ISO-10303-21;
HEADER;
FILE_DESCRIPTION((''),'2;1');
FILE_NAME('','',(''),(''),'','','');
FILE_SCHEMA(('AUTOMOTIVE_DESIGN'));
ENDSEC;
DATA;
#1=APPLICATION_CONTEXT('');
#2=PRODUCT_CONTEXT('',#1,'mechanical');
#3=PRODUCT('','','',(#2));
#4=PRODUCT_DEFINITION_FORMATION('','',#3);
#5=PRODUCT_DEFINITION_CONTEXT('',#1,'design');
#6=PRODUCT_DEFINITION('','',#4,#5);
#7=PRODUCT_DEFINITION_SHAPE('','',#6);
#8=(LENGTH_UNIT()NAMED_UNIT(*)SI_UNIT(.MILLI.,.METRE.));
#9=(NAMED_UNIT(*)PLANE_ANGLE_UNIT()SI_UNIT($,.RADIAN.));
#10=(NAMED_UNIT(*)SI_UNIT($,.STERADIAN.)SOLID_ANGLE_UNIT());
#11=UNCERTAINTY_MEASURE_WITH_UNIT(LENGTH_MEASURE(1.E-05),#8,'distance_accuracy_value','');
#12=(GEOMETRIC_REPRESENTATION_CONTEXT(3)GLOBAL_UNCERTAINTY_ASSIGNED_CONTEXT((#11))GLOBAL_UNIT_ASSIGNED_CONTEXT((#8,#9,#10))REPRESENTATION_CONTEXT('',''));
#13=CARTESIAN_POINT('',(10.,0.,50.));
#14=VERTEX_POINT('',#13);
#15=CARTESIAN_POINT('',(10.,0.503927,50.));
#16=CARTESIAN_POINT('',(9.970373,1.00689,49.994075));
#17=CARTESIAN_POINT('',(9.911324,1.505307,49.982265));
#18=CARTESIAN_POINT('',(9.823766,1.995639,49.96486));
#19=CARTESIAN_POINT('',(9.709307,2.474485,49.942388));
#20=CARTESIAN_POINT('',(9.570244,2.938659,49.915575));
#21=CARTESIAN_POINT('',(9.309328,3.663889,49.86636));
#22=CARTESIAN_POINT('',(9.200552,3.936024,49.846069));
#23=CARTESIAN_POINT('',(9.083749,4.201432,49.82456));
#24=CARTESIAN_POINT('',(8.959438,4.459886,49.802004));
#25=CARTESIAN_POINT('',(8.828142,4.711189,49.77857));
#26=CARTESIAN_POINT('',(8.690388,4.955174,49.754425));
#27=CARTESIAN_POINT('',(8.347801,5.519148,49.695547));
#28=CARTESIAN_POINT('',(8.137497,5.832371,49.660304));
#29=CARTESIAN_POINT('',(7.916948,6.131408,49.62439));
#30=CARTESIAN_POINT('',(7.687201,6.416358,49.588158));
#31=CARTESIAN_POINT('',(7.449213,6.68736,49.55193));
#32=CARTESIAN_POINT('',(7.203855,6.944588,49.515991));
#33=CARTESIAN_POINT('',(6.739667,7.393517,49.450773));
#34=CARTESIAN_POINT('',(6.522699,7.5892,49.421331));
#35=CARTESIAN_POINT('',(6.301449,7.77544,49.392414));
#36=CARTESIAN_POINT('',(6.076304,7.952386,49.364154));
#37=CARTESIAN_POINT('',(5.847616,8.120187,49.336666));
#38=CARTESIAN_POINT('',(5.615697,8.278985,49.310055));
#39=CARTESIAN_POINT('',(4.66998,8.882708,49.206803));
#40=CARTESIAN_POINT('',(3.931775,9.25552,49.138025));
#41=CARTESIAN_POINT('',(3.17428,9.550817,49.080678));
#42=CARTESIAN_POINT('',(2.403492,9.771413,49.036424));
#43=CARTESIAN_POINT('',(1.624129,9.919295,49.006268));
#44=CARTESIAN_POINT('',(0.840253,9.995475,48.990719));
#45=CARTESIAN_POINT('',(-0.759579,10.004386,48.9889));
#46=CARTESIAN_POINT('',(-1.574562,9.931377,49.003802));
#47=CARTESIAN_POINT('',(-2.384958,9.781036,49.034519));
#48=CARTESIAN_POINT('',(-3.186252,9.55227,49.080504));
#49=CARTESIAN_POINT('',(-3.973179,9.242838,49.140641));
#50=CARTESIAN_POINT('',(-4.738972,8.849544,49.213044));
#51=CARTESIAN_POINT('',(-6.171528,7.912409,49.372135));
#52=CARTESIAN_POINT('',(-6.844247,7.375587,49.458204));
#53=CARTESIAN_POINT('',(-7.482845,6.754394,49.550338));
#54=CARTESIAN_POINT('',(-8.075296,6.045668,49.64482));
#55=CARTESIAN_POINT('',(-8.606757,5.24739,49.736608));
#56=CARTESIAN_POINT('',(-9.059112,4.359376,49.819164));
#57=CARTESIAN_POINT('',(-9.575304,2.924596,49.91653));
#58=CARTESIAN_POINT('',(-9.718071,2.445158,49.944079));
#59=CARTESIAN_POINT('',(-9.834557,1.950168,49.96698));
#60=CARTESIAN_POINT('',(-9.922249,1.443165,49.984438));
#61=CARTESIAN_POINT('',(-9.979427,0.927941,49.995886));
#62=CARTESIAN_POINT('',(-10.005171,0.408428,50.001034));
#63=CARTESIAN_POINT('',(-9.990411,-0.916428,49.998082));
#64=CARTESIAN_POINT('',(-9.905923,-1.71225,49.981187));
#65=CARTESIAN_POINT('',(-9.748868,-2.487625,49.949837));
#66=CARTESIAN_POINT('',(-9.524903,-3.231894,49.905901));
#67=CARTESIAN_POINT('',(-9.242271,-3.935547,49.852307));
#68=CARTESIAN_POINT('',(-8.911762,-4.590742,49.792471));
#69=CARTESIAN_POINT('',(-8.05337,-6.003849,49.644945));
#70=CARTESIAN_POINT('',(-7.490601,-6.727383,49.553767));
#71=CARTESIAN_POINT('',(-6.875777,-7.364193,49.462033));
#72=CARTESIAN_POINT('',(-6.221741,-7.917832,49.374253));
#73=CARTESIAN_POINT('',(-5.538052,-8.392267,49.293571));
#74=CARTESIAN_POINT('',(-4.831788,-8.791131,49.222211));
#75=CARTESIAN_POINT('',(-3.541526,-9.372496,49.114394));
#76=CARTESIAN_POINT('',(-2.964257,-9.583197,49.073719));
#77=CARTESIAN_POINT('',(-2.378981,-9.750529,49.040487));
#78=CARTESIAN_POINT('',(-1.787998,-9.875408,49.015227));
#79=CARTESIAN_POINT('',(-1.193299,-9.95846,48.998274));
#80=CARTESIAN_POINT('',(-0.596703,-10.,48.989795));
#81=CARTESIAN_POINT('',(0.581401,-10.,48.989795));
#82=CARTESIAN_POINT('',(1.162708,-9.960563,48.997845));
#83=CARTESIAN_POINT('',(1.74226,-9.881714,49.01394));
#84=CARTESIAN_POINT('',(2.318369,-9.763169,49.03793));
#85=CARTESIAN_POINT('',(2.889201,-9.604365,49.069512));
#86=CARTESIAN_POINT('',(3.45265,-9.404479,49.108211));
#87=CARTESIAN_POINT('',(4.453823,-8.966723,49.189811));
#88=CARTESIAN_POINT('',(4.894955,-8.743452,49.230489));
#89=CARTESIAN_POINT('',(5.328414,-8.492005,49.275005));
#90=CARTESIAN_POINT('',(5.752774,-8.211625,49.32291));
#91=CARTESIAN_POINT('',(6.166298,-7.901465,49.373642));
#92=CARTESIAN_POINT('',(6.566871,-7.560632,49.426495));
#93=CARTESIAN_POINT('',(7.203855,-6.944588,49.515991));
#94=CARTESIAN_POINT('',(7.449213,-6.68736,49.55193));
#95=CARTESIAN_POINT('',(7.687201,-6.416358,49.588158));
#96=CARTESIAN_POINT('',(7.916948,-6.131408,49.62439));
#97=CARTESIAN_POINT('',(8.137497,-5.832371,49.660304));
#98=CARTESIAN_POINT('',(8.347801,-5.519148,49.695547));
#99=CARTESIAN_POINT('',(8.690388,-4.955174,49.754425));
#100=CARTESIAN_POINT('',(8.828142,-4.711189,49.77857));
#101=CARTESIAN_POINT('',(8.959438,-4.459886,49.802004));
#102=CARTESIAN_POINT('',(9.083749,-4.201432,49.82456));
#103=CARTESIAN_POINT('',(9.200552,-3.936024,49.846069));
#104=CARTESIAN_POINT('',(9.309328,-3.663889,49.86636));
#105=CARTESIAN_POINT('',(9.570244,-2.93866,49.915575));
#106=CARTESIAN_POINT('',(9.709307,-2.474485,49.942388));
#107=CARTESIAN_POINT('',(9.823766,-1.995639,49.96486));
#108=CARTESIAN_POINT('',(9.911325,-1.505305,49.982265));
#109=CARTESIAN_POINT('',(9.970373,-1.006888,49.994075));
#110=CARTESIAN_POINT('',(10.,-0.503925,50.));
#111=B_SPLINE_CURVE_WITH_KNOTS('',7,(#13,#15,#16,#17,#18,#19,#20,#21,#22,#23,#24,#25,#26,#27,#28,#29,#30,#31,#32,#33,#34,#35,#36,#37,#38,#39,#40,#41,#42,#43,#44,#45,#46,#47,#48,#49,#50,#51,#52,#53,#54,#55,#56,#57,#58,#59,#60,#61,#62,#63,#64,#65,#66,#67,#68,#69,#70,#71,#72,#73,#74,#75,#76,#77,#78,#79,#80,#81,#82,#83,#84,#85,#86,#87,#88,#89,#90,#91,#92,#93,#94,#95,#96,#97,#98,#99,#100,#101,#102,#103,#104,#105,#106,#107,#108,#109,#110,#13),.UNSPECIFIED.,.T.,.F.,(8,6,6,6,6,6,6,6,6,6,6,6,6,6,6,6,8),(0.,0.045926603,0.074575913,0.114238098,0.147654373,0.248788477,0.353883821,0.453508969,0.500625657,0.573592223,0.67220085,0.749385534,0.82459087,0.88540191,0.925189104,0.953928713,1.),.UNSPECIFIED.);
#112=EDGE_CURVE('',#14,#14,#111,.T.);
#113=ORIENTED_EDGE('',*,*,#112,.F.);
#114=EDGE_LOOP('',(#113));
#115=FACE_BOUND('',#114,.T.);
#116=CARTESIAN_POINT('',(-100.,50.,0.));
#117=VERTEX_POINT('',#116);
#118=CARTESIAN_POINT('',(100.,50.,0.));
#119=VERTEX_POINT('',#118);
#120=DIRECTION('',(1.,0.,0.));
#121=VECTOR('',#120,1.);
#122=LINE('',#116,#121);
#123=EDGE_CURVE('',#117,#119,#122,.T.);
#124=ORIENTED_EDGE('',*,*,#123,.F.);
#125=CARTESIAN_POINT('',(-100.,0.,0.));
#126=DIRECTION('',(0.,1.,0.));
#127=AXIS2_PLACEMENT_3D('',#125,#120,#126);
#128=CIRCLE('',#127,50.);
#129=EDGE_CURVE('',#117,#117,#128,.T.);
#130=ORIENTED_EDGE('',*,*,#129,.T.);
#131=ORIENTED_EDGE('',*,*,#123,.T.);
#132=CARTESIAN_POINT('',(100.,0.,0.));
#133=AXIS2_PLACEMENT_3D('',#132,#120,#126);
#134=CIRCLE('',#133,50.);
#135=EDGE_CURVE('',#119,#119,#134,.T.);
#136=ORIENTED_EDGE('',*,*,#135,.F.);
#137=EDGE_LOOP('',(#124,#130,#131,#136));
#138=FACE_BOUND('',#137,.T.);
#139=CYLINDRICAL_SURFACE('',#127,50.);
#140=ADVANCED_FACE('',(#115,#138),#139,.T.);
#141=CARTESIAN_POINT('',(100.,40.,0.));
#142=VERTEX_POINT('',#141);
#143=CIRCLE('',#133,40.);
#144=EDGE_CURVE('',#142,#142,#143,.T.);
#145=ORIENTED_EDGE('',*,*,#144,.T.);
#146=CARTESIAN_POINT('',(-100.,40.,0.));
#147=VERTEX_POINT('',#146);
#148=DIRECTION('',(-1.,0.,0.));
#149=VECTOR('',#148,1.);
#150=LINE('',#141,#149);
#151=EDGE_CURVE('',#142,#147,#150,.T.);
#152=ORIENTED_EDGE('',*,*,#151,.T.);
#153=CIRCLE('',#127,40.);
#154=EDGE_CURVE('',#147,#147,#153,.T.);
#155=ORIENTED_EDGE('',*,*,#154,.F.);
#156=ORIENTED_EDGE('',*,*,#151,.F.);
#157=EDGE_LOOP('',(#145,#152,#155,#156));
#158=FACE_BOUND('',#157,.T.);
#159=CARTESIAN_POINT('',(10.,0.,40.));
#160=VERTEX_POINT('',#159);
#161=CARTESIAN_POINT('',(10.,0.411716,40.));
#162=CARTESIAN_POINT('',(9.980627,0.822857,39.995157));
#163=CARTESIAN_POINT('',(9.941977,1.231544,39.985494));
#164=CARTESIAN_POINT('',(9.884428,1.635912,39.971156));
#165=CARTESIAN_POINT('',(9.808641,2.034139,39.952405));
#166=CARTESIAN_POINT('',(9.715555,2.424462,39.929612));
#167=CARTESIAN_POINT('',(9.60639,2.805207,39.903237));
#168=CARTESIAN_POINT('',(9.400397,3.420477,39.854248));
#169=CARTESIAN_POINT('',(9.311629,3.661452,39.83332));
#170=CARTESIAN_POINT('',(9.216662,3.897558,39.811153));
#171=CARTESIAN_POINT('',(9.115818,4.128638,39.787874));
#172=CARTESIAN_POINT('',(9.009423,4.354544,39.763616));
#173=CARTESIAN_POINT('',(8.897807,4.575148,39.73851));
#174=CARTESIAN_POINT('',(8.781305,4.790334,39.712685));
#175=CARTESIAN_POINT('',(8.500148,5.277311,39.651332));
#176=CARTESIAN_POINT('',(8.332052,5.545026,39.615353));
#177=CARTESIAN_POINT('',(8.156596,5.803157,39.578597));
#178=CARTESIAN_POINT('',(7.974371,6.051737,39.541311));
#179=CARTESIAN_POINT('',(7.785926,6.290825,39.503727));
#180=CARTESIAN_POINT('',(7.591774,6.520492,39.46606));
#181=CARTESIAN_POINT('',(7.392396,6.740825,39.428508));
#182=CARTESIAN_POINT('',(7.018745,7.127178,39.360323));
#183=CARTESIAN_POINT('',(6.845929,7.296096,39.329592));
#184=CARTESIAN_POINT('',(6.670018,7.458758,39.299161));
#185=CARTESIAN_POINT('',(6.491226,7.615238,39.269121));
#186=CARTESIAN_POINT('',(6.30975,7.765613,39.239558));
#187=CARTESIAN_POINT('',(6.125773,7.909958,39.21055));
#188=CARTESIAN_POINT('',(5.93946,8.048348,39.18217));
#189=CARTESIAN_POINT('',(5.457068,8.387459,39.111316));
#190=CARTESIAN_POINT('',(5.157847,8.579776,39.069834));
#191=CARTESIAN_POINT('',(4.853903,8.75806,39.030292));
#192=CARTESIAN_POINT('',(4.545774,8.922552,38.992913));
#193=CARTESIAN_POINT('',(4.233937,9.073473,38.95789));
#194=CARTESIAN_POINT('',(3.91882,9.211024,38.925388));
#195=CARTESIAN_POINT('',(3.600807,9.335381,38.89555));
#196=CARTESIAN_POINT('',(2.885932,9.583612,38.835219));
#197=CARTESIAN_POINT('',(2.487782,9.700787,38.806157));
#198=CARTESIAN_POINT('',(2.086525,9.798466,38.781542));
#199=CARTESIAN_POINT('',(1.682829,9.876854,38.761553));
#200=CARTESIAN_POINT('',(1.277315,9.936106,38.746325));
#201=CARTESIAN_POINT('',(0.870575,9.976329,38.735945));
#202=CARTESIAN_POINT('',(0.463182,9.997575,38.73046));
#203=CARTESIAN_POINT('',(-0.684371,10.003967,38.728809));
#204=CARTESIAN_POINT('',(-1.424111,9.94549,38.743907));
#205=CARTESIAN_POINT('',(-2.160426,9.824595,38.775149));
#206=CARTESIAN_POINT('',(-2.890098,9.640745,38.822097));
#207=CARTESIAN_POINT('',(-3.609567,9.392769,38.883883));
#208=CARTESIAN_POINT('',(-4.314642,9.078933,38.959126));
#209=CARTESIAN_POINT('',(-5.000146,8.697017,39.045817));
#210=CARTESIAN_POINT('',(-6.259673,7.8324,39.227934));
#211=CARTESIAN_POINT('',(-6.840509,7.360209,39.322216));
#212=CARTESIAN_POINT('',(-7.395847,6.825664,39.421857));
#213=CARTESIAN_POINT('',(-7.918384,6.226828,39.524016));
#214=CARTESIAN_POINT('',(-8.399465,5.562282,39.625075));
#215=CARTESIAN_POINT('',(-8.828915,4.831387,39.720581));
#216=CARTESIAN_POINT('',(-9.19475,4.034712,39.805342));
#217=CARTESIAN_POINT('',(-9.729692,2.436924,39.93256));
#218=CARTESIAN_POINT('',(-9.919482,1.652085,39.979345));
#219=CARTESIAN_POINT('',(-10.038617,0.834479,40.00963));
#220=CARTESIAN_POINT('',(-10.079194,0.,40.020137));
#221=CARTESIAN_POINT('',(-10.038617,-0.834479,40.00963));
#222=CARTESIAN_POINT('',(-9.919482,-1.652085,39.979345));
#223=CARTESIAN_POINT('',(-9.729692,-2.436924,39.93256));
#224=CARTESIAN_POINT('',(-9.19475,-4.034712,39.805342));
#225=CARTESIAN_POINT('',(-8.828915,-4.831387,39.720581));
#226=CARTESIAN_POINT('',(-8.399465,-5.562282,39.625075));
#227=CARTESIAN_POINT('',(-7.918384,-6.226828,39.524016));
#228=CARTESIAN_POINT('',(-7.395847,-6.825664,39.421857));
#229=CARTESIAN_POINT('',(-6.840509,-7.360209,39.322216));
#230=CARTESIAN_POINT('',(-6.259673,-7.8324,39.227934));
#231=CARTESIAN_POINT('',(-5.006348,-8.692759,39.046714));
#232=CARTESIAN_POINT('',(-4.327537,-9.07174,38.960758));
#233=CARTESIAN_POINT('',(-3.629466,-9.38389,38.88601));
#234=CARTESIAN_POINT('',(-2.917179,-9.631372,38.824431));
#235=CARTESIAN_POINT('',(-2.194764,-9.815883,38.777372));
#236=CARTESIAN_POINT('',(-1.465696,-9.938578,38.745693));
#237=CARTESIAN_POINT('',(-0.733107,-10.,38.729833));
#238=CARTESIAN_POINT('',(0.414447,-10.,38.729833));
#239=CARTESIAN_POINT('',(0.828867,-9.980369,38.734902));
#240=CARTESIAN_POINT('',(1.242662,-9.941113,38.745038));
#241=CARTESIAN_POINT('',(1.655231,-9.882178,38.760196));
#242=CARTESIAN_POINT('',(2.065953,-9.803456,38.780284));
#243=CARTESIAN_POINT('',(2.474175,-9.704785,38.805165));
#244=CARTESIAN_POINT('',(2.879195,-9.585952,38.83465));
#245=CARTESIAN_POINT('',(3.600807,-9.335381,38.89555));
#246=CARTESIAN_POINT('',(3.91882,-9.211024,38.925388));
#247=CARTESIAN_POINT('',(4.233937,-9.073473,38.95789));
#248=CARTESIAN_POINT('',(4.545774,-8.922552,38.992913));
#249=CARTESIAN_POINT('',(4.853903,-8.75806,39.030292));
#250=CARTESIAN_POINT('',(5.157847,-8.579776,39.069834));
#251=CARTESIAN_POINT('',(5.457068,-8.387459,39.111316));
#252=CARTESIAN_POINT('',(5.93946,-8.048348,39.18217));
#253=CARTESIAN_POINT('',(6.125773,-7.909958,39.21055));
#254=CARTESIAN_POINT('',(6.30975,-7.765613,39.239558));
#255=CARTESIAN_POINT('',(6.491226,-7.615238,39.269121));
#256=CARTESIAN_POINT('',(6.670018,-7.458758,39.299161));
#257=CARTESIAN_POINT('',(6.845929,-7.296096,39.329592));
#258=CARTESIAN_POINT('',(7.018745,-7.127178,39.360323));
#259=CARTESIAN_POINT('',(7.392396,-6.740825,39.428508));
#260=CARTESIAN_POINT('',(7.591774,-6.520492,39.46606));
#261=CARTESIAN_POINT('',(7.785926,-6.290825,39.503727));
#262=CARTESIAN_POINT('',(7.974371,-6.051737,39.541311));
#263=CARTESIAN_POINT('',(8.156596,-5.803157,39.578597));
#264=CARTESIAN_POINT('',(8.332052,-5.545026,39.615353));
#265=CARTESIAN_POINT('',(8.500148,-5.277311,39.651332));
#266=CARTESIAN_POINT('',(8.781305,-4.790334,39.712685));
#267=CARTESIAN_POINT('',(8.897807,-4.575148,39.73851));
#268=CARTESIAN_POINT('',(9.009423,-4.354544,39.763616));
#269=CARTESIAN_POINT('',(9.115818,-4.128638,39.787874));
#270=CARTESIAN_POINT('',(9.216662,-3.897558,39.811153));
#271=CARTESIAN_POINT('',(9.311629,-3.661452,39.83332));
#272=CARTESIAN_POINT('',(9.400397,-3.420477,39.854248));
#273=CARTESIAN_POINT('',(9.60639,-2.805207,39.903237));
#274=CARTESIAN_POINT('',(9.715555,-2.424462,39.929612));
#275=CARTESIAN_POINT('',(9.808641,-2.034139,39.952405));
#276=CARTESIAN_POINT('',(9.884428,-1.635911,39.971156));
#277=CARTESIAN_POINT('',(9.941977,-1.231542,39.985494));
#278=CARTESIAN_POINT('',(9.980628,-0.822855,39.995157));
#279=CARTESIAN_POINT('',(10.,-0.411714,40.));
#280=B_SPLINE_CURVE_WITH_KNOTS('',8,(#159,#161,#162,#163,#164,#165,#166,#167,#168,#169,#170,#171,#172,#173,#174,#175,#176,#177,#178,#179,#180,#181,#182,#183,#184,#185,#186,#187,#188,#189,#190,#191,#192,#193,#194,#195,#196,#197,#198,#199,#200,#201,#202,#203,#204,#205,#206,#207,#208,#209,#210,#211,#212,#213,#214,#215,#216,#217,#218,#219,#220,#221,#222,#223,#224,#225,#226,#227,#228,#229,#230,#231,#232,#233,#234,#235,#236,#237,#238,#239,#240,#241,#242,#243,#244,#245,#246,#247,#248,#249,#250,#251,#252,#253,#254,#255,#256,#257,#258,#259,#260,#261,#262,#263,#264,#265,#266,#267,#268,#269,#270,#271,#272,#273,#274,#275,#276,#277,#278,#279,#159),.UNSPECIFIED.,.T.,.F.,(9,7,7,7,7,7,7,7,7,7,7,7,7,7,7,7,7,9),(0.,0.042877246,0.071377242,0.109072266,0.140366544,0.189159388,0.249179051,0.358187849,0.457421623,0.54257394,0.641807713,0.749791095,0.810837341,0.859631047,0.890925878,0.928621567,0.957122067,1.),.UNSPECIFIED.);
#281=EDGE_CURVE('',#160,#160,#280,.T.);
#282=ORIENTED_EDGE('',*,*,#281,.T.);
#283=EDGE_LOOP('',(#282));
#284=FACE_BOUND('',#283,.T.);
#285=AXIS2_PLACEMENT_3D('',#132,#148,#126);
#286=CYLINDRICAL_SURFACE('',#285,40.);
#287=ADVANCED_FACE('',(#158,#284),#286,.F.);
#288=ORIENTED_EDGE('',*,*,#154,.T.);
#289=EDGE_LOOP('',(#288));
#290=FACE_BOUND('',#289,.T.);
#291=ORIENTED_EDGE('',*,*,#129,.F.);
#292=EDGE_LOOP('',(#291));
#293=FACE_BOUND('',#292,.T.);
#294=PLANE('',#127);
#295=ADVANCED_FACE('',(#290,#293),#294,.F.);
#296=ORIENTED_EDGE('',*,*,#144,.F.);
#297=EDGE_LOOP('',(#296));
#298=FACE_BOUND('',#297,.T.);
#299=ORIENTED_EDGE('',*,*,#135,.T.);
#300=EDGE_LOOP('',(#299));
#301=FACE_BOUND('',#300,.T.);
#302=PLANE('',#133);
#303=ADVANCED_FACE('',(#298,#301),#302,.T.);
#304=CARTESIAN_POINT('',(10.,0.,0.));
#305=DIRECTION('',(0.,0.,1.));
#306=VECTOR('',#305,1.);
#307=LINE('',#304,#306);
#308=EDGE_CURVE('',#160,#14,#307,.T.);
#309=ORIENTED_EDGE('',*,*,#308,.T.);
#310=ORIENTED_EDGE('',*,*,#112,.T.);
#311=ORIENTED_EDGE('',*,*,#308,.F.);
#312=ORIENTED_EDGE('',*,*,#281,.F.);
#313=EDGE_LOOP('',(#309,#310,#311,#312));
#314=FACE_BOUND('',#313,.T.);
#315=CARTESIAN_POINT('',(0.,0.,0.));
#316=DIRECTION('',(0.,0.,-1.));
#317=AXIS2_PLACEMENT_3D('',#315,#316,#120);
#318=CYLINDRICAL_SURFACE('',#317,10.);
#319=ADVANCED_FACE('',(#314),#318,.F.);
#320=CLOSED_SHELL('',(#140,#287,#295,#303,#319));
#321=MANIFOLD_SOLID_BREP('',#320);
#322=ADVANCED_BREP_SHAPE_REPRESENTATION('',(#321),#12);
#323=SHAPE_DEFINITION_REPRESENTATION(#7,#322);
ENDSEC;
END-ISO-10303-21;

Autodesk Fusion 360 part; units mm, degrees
sketch "Sketch1" plane through (0, 0, 0) normal (0, 0, 1) x (1, 0, 0)
  line L0 (-100, 50) -> (100, 50)
  line L1 (100, 50) -> (100, 40)
  line L2 (100, 40) -> (-100, 40)
  line L3 (-100, 40) -> (-100, 50)
  line L4 (0, 40) -> (0, 0) construction
  line L5 (-100, 0) -> (100, 0) construction
  line L6 (100, 0) -> (100, 40) construction
  line L7 (-100, 0) -> (-100, 40) construction
  line L8 (-100, -50) -> (100, -50) construction
  line L9 (100, -40) -> (-100, -40) construction
  line L10 (100, -50) -> (100, -40) construction
  line L11 (-100, -40) -> (-100, -50) construction
  circle A0 centre (0, 0) radius 10
  dimension "Inner_Diameter" = 80
  dimension "Outer_Diameter" = 100
  dimension "Bar_Length" = 200
  dimension "Hole_Radius" = 10
revolve "Revolve1" add sketch "Sketch1" angle 360 about axis through (-100, 0, 0) along (1, 0, 0) contours L0 L1 L2 L3
extrude "Extrude1" cut sketch "Sketch1" along normal through all contours A0
